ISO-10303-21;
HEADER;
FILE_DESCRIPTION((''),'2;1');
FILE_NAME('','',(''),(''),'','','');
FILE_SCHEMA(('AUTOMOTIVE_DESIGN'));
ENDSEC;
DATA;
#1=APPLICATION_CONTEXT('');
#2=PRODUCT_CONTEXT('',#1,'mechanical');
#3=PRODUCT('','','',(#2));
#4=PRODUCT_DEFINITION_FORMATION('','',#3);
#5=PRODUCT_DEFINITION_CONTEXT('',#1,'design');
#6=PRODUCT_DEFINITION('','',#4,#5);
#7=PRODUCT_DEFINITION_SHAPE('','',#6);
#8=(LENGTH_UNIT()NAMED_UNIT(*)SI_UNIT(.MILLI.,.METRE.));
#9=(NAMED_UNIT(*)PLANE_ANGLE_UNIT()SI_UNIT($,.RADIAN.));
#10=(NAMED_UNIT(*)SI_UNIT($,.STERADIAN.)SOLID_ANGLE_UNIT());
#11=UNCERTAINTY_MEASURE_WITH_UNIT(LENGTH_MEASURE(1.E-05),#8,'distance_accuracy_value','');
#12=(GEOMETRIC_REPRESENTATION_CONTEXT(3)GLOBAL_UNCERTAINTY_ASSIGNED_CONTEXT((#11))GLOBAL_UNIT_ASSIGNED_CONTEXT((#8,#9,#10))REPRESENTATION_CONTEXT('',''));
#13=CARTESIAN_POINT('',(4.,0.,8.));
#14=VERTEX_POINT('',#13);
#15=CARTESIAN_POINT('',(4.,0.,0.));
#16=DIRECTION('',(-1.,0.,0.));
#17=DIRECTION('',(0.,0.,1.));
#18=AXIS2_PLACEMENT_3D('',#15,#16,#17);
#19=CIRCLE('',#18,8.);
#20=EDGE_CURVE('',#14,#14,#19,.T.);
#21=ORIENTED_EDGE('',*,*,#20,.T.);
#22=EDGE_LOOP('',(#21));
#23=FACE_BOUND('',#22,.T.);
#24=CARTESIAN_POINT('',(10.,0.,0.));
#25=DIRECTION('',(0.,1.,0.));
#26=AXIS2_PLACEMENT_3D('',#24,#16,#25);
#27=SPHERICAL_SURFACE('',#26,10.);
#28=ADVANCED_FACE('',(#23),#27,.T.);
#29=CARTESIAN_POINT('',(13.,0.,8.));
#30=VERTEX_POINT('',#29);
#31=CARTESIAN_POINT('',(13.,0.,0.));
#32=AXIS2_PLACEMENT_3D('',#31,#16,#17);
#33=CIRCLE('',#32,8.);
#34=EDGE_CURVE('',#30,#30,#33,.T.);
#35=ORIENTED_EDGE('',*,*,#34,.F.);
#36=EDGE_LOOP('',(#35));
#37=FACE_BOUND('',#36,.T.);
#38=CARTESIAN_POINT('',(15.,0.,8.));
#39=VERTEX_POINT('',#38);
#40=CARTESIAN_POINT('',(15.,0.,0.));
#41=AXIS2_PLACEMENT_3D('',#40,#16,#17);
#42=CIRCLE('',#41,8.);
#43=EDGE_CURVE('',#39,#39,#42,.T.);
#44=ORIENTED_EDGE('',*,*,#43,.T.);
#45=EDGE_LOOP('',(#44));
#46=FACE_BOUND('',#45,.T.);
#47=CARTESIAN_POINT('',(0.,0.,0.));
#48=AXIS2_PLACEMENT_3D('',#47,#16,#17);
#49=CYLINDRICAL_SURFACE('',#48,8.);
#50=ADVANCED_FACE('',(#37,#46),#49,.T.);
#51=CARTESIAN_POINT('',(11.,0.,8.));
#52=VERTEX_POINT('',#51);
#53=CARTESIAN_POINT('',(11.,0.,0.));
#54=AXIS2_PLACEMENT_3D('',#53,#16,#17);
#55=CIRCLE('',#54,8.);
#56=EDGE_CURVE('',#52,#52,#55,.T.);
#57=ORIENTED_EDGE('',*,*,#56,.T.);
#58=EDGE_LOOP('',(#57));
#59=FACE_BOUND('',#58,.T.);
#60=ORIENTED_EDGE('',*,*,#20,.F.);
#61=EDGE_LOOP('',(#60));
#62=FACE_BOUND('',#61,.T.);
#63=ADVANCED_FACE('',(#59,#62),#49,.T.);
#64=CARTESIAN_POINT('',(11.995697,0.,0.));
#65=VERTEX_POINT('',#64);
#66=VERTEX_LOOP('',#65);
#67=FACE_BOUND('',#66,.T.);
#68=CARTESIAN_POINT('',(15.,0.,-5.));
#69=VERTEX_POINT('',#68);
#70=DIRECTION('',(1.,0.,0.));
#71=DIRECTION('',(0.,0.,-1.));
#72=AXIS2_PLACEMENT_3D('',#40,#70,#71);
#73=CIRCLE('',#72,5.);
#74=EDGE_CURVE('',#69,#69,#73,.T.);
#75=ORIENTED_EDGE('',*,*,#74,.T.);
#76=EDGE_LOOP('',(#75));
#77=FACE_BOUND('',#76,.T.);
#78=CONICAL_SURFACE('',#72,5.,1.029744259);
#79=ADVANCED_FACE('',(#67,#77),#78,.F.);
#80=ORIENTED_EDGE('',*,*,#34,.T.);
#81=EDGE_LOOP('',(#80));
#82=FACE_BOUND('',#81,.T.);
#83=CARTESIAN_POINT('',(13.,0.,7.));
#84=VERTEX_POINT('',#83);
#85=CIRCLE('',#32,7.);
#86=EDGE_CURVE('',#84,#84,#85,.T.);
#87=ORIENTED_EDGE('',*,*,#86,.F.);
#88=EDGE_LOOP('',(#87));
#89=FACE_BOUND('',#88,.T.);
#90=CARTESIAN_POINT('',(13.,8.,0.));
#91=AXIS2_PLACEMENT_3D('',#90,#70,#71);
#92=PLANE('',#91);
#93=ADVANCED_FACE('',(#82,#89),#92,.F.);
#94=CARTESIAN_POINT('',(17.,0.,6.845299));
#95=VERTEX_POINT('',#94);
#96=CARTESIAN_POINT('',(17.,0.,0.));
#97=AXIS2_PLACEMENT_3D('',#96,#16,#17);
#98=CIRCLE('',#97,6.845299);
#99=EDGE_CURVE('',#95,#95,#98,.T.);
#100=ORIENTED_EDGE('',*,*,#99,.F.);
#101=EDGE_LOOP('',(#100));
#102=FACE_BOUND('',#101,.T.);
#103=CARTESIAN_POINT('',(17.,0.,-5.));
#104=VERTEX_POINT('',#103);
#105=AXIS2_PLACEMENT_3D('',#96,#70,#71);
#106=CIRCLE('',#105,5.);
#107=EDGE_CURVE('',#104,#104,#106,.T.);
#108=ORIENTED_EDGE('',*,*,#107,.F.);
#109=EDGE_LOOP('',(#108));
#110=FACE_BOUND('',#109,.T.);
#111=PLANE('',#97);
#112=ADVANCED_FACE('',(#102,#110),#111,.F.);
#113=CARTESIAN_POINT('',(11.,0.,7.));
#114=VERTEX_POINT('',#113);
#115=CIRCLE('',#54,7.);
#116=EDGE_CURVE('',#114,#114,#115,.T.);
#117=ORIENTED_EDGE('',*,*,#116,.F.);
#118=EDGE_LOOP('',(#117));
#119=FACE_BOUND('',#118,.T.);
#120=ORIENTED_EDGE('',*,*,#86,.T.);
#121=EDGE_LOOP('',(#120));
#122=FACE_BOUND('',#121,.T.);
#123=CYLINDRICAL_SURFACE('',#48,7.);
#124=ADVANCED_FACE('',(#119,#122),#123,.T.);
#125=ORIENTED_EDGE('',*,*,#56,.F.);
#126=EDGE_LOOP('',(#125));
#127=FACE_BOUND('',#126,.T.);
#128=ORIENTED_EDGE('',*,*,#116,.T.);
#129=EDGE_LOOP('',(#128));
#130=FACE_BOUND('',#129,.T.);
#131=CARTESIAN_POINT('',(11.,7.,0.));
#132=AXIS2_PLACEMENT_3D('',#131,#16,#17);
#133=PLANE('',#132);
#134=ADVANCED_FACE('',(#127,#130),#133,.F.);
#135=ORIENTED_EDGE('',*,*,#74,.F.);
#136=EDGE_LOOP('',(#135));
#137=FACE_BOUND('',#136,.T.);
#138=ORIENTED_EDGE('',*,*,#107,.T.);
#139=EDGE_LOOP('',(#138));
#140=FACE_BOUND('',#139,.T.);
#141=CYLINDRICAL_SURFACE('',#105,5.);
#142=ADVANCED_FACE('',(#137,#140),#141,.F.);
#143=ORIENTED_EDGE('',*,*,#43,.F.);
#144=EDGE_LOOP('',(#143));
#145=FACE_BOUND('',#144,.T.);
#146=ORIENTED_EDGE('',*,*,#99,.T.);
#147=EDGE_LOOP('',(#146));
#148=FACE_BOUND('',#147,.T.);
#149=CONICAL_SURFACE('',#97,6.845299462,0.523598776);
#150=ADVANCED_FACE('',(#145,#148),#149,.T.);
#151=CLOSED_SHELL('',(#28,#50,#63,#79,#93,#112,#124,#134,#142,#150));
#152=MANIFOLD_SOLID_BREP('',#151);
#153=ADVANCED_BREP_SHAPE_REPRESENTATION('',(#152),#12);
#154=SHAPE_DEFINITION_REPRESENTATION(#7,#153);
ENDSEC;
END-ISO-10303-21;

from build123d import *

# Parameters (mm, degrees)
F_10_0_10_DIAMETER_HOLE1_D     = 10
F_10_0_10_DIAMETER_HOLE1_DEPTH = 2
F_10_0_10_DIAMETER_HOLE1_TIP   = 3.004303095


with BuildPart() as part:
    # Sketch1 → Revolve1 (revolve)
    with BuildSketch(Plane.XY, mode=Mode.PRIVATE) as revolve1_sk:
        with BuildLine():
            Line((17, 0), (17, 6.845299462))
            Line((17, 6.845299462), (15, 8))
            Line((15, 8), (13, 8))
            Line((13, 8), (13, 7))
            Line((13, 7), (11, 7))
            Line((11, 7), (11, 8))
            Line((11, 8), (4, 8))
            ThreePointArc((4, 8), (1.05572809, 4.472135955), (0, 0))
            Line((0, 0), (17, 0))
        make_face()
    revolve(revolve1_sk.sketch.rotate(Axis((0, 0, 0), (1, 0, 0)), 90), axis=Axis((0, 0, 0), (1, 0, 0)))

    # Ø10.0 (10) Diameter Hole1
    with Locations(Plane(origin=(17, 0, 0), x_dir=(0, 0, -1), z_dir=(1, 0, 0))):
        with Locations((0, 0)):
            Hole(F_10_0_10_DIAMETER_HOLE1_D / 2, depth=F_10_0_10_DIAMETER_HOLE1_DEPTH)
            with Locations((0, 0, -(F_10_0_10_DIAMETER_HOLE1_DEPTH + F_10_0_10_DIAMETER_HOLE1_TIP / 2))):  # 118° drill point
                Cone(0, F_10_0_10_DIAMETER_HOLE1_D / 2, F_10_0_10_DIAMETER_HOLE1_TIP, mode=Mode.SUBTRACT)


solid = part.part
